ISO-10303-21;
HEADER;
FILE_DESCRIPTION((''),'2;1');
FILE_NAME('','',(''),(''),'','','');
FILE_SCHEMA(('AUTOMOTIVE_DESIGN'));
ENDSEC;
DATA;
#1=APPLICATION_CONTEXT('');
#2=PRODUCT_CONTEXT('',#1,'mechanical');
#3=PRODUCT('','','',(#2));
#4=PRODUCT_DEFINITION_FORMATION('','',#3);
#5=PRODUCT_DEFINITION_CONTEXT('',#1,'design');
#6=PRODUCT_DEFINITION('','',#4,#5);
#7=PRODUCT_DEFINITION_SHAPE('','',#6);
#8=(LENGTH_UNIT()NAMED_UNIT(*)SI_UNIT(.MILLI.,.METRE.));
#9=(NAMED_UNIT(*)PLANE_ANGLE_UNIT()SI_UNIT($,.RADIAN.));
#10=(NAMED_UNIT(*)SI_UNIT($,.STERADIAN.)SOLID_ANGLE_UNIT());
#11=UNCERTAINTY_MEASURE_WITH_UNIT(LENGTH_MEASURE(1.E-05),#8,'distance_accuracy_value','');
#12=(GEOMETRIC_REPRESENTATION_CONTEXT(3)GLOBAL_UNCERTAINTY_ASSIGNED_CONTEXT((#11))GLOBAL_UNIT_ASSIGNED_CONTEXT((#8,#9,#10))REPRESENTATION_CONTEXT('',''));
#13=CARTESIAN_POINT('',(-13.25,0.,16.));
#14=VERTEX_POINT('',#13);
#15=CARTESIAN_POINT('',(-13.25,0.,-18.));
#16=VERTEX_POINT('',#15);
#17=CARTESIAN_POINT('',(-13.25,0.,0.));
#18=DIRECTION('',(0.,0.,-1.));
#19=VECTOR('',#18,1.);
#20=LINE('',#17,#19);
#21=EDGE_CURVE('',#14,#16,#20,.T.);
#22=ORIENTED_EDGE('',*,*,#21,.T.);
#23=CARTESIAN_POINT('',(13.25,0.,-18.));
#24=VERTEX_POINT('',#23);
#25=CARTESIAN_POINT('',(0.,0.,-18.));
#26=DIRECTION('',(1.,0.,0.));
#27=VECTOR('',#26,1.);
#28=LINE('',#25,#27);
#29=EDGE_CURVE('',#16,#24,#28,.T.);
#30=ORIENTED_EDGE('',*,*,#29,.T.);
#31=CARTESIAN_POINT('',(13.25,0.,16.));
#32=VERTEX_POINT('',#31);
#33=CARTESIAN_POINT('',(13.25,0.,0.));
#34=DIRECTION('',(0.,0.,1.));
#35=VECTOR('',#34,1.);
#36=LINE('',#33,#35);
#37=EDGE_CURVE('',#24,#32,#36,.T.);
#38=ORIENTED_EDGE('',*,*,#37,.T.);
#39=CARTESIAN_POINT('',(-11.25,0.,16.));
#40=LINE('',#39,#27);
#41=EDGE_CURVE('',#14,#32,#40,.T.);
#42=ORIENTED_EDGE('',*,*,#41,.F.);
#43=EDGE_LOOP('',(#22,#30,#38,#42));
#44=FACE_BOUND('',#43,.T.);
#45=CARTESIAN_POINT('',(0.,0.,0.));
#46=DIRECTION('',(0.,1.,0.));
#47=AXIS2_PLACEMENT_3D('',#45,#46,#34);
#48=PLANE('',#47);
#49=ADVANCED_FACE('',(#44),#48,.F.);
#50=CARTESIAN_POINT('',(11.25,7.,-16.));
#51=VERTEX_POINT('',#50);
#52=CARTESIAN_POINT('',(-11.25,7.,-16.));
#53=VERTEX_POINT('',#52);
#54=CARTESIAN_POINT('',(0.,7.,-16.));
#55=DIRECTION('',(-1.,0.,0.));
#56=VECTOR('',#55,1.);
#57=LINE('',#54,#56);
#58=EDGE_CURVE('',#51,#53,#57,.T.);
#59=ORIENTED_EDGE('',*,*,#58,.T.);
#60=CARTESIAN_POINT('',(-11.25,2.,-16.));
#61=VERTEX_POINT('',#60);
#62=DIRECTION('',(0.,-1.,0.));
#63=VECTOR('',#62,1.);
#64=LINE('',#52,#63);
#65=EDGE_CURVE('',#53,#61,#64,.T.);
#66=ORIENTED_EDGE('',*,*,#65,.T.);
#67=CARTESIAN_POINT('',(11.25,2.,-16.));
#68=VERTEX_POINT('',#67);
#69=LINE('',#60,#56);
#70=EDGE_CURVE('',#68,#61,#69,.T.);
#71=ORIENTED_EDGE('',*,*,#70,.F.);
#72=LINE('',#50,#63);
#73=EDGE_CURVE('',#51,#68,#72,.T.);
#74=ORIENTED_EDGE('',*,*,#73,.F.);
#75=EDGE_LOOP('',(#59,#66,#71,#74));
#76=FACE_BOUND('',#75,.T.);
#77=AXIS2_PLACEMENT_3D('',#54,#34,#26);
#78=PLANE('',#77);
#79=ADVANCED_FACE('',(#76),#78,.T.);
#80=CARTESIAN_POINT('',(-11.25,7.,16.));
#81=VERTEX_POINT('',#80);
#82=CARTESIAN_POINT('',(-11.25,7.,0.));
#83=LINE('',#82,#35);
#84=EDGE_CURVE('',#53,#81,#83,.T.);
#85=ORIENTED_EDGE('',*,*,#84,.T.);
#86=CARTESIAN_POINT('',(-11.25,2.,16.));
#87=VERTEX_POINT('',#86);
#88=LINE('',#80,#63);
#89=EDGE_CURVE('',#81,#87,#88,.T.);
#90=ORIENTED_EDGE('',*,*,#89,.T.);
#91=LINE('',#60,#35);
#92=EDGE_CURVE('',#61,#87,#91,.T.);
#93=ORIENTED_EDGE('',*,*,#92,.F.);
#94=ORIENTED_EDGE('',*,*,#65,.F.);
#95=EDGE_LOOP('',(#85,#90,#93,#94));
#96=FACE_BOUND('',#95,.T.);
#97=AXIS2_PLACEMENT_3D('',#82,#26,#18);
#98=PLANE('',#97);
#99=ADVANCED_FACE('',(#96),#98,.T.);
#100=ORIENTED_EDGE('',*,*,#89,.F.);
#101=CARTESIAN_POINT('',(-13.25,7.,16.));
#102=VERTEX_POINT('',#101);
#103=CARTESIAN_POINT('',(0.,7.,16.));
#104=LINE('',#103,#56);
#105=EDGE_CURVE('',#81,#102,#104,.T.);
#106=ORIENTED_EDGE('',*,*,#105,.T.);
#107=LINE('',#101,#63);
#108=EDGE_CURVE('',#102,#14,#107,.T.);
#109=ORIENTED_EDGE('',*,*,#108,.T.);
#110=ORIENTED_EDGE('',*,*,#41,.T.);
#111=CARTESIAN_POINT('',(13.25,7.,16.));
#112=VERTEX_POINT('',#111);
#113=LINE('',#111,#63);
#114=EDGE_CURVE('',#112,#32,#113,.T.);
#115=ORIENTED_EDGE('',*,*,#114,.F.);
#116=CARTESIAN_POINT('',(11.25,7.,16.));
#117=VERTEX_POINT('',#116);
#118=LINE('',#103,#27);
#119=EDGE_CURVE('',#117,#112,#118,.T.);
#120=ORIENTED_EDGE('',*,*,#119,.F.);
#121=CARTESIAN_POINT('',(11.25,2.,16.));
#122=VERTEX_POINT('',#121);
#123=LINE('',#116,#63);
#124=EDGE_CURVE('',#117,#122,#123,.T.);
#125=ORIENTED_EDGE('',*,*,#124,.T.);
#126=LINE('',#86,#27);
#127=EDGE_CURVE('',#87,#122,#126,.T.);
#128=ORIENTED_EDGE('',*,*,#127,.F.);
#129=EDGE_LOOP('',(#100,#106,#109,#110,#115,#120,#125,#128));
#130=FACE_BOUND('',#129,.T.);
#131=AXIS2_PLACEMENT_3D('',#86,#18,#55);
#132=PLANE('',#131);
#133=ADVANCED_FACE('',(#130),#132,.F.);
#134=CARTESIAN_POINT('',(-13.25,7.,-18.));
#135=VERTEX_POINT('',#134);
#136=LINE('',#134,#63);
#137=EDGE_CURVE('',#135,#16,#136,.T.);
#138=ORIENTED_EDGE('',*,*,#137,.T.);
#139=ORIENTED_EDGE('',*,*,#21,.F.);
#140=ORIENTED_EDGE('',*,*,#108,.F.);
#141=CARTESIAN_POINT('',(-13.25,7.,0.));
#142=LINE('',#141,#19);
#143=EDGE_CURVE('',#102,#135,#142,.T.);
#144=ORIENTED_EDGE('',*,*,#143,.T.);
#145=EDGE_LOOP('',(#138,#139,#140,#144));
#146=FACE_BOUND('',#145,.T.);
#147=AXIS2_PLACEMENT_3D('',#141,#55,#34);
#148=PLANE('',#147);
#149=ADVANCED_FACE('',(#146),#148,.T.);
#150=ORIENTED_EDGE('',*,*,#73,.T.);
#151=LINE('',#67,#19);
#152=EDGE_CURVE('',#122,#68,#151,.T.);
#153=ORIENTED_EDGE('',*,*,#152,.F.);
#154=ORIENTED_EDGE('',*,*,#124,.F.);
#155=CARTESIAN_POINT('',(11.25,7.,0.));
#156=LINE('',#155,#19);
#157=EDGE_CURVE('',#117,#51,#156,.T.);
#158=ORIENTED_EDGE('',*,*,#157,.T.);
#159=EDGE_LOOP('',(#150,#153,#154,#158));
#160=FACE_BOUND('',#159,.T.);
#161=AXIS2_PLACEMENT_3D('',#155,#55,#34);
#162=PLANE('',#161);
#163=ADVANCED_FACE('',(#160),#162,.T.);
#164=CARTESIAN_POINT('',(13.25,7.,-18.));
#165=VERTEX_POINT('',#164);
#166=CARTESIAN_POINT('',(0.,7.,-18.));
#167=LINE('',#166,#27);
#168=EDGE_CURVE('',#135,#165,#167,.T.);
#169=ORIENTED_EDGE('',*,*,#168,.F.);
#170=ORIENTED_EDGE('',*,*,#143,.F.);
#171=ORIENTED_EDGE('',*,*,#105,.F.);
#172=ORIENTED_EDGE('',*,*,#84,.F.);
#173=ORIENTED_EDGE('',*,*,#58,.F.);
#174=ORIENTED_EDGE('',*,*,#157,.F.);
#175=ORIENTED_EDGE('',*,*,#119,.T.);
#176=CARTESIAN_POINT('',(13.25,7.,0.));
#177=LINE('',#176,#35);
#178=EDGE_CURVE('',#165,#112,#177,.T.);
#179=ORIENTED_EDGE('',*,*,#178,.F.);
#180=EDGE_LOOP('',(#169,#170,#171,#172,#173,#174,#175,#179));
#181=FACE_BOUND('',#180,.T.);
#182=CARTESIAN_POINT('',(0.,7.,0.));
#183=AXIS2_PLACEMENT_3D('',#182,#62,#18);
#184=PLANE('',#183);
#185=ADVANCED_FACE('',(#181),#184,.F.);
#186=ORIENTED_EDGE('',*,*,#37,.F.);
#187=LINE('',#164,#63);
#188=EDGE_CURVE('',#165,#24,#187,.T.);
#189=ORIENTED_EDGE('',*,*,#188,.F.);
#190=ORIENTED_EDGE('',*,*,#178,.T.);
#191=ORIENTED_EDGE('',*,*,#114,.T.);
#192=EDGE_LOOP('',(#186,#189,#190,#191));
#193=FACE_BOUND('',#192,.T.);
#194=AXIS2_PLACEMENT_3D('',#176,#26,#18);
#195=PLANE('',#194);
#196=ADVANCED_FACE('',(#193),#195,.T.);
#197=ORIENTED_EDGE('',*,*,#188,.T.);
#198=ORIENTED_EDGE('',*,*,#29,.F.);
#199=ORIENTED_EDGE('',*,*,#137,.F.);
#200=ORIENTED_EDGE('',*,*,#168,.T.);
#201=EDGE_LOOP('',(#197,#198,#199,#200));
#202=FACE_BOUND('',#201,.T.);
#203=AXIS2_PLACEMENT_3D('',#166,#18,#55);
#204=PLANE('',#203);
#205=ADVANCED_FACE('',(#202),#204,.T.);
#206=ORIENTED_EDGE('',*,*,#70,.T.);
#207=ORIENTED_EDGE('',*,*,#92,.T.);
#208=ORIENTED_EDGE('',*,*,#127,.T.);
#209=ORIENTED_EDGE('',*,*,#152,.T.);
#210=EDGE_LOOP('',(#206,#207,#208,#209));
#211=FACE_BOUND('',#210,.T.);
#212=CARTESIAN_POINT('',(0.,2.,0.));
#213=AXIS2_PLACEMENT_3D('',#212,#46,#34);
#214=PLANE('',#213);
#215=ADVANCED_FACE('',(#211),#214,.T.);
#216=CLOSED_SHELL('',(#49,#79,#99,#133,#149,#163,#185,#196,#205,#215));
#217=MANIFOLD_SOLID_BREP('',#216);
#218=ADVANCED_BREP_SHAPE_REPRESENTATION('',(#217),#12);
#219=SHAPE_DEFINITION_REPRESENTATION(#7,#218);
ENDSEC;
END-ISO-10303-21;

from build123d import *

# Parameters (mm, degrees)
SKETCH1_W           = 22.5
SKETCH1_H           = 32
BOSS_EXTRUDE1_DEPTH = 2
BOSS_EXTRUDE3_START = -2
BOSS_EXTRUDE3_DEPTH = 7


with BuildPart() as part:
    # Sketch1 → Boss-Extrude1 (new body)
    with BuildSketch(Plane(origin=(0, 0, 0), x_dir=(1, 0, 0), z_dir=(0, 1, 0))):
        Rectangle(SKETCH1_W, SKETCH1_H)
    extrude(amount=BOSS_EXTRUDE1_DEPTH)

    # Sketch3 → Boss-Extrude3 (add)
    with BuildSketch(Plane(origin=(0, 2, 0), x_dir=(1, 0, 0), z_dir=(0, 1, 0)).offset(BOSS_EXTRUDE3_START)):
        Polygon((-11.25, -16), (-11.25, 16), (11.25, 16), (11.25, -16), (13.25, -16), (13.25, 18), (-13.25, 18), (-13.25, -16), align=None)
    extrude(amount=BOSS_EXTRUDE3_DEPTH)


solid = part.part
